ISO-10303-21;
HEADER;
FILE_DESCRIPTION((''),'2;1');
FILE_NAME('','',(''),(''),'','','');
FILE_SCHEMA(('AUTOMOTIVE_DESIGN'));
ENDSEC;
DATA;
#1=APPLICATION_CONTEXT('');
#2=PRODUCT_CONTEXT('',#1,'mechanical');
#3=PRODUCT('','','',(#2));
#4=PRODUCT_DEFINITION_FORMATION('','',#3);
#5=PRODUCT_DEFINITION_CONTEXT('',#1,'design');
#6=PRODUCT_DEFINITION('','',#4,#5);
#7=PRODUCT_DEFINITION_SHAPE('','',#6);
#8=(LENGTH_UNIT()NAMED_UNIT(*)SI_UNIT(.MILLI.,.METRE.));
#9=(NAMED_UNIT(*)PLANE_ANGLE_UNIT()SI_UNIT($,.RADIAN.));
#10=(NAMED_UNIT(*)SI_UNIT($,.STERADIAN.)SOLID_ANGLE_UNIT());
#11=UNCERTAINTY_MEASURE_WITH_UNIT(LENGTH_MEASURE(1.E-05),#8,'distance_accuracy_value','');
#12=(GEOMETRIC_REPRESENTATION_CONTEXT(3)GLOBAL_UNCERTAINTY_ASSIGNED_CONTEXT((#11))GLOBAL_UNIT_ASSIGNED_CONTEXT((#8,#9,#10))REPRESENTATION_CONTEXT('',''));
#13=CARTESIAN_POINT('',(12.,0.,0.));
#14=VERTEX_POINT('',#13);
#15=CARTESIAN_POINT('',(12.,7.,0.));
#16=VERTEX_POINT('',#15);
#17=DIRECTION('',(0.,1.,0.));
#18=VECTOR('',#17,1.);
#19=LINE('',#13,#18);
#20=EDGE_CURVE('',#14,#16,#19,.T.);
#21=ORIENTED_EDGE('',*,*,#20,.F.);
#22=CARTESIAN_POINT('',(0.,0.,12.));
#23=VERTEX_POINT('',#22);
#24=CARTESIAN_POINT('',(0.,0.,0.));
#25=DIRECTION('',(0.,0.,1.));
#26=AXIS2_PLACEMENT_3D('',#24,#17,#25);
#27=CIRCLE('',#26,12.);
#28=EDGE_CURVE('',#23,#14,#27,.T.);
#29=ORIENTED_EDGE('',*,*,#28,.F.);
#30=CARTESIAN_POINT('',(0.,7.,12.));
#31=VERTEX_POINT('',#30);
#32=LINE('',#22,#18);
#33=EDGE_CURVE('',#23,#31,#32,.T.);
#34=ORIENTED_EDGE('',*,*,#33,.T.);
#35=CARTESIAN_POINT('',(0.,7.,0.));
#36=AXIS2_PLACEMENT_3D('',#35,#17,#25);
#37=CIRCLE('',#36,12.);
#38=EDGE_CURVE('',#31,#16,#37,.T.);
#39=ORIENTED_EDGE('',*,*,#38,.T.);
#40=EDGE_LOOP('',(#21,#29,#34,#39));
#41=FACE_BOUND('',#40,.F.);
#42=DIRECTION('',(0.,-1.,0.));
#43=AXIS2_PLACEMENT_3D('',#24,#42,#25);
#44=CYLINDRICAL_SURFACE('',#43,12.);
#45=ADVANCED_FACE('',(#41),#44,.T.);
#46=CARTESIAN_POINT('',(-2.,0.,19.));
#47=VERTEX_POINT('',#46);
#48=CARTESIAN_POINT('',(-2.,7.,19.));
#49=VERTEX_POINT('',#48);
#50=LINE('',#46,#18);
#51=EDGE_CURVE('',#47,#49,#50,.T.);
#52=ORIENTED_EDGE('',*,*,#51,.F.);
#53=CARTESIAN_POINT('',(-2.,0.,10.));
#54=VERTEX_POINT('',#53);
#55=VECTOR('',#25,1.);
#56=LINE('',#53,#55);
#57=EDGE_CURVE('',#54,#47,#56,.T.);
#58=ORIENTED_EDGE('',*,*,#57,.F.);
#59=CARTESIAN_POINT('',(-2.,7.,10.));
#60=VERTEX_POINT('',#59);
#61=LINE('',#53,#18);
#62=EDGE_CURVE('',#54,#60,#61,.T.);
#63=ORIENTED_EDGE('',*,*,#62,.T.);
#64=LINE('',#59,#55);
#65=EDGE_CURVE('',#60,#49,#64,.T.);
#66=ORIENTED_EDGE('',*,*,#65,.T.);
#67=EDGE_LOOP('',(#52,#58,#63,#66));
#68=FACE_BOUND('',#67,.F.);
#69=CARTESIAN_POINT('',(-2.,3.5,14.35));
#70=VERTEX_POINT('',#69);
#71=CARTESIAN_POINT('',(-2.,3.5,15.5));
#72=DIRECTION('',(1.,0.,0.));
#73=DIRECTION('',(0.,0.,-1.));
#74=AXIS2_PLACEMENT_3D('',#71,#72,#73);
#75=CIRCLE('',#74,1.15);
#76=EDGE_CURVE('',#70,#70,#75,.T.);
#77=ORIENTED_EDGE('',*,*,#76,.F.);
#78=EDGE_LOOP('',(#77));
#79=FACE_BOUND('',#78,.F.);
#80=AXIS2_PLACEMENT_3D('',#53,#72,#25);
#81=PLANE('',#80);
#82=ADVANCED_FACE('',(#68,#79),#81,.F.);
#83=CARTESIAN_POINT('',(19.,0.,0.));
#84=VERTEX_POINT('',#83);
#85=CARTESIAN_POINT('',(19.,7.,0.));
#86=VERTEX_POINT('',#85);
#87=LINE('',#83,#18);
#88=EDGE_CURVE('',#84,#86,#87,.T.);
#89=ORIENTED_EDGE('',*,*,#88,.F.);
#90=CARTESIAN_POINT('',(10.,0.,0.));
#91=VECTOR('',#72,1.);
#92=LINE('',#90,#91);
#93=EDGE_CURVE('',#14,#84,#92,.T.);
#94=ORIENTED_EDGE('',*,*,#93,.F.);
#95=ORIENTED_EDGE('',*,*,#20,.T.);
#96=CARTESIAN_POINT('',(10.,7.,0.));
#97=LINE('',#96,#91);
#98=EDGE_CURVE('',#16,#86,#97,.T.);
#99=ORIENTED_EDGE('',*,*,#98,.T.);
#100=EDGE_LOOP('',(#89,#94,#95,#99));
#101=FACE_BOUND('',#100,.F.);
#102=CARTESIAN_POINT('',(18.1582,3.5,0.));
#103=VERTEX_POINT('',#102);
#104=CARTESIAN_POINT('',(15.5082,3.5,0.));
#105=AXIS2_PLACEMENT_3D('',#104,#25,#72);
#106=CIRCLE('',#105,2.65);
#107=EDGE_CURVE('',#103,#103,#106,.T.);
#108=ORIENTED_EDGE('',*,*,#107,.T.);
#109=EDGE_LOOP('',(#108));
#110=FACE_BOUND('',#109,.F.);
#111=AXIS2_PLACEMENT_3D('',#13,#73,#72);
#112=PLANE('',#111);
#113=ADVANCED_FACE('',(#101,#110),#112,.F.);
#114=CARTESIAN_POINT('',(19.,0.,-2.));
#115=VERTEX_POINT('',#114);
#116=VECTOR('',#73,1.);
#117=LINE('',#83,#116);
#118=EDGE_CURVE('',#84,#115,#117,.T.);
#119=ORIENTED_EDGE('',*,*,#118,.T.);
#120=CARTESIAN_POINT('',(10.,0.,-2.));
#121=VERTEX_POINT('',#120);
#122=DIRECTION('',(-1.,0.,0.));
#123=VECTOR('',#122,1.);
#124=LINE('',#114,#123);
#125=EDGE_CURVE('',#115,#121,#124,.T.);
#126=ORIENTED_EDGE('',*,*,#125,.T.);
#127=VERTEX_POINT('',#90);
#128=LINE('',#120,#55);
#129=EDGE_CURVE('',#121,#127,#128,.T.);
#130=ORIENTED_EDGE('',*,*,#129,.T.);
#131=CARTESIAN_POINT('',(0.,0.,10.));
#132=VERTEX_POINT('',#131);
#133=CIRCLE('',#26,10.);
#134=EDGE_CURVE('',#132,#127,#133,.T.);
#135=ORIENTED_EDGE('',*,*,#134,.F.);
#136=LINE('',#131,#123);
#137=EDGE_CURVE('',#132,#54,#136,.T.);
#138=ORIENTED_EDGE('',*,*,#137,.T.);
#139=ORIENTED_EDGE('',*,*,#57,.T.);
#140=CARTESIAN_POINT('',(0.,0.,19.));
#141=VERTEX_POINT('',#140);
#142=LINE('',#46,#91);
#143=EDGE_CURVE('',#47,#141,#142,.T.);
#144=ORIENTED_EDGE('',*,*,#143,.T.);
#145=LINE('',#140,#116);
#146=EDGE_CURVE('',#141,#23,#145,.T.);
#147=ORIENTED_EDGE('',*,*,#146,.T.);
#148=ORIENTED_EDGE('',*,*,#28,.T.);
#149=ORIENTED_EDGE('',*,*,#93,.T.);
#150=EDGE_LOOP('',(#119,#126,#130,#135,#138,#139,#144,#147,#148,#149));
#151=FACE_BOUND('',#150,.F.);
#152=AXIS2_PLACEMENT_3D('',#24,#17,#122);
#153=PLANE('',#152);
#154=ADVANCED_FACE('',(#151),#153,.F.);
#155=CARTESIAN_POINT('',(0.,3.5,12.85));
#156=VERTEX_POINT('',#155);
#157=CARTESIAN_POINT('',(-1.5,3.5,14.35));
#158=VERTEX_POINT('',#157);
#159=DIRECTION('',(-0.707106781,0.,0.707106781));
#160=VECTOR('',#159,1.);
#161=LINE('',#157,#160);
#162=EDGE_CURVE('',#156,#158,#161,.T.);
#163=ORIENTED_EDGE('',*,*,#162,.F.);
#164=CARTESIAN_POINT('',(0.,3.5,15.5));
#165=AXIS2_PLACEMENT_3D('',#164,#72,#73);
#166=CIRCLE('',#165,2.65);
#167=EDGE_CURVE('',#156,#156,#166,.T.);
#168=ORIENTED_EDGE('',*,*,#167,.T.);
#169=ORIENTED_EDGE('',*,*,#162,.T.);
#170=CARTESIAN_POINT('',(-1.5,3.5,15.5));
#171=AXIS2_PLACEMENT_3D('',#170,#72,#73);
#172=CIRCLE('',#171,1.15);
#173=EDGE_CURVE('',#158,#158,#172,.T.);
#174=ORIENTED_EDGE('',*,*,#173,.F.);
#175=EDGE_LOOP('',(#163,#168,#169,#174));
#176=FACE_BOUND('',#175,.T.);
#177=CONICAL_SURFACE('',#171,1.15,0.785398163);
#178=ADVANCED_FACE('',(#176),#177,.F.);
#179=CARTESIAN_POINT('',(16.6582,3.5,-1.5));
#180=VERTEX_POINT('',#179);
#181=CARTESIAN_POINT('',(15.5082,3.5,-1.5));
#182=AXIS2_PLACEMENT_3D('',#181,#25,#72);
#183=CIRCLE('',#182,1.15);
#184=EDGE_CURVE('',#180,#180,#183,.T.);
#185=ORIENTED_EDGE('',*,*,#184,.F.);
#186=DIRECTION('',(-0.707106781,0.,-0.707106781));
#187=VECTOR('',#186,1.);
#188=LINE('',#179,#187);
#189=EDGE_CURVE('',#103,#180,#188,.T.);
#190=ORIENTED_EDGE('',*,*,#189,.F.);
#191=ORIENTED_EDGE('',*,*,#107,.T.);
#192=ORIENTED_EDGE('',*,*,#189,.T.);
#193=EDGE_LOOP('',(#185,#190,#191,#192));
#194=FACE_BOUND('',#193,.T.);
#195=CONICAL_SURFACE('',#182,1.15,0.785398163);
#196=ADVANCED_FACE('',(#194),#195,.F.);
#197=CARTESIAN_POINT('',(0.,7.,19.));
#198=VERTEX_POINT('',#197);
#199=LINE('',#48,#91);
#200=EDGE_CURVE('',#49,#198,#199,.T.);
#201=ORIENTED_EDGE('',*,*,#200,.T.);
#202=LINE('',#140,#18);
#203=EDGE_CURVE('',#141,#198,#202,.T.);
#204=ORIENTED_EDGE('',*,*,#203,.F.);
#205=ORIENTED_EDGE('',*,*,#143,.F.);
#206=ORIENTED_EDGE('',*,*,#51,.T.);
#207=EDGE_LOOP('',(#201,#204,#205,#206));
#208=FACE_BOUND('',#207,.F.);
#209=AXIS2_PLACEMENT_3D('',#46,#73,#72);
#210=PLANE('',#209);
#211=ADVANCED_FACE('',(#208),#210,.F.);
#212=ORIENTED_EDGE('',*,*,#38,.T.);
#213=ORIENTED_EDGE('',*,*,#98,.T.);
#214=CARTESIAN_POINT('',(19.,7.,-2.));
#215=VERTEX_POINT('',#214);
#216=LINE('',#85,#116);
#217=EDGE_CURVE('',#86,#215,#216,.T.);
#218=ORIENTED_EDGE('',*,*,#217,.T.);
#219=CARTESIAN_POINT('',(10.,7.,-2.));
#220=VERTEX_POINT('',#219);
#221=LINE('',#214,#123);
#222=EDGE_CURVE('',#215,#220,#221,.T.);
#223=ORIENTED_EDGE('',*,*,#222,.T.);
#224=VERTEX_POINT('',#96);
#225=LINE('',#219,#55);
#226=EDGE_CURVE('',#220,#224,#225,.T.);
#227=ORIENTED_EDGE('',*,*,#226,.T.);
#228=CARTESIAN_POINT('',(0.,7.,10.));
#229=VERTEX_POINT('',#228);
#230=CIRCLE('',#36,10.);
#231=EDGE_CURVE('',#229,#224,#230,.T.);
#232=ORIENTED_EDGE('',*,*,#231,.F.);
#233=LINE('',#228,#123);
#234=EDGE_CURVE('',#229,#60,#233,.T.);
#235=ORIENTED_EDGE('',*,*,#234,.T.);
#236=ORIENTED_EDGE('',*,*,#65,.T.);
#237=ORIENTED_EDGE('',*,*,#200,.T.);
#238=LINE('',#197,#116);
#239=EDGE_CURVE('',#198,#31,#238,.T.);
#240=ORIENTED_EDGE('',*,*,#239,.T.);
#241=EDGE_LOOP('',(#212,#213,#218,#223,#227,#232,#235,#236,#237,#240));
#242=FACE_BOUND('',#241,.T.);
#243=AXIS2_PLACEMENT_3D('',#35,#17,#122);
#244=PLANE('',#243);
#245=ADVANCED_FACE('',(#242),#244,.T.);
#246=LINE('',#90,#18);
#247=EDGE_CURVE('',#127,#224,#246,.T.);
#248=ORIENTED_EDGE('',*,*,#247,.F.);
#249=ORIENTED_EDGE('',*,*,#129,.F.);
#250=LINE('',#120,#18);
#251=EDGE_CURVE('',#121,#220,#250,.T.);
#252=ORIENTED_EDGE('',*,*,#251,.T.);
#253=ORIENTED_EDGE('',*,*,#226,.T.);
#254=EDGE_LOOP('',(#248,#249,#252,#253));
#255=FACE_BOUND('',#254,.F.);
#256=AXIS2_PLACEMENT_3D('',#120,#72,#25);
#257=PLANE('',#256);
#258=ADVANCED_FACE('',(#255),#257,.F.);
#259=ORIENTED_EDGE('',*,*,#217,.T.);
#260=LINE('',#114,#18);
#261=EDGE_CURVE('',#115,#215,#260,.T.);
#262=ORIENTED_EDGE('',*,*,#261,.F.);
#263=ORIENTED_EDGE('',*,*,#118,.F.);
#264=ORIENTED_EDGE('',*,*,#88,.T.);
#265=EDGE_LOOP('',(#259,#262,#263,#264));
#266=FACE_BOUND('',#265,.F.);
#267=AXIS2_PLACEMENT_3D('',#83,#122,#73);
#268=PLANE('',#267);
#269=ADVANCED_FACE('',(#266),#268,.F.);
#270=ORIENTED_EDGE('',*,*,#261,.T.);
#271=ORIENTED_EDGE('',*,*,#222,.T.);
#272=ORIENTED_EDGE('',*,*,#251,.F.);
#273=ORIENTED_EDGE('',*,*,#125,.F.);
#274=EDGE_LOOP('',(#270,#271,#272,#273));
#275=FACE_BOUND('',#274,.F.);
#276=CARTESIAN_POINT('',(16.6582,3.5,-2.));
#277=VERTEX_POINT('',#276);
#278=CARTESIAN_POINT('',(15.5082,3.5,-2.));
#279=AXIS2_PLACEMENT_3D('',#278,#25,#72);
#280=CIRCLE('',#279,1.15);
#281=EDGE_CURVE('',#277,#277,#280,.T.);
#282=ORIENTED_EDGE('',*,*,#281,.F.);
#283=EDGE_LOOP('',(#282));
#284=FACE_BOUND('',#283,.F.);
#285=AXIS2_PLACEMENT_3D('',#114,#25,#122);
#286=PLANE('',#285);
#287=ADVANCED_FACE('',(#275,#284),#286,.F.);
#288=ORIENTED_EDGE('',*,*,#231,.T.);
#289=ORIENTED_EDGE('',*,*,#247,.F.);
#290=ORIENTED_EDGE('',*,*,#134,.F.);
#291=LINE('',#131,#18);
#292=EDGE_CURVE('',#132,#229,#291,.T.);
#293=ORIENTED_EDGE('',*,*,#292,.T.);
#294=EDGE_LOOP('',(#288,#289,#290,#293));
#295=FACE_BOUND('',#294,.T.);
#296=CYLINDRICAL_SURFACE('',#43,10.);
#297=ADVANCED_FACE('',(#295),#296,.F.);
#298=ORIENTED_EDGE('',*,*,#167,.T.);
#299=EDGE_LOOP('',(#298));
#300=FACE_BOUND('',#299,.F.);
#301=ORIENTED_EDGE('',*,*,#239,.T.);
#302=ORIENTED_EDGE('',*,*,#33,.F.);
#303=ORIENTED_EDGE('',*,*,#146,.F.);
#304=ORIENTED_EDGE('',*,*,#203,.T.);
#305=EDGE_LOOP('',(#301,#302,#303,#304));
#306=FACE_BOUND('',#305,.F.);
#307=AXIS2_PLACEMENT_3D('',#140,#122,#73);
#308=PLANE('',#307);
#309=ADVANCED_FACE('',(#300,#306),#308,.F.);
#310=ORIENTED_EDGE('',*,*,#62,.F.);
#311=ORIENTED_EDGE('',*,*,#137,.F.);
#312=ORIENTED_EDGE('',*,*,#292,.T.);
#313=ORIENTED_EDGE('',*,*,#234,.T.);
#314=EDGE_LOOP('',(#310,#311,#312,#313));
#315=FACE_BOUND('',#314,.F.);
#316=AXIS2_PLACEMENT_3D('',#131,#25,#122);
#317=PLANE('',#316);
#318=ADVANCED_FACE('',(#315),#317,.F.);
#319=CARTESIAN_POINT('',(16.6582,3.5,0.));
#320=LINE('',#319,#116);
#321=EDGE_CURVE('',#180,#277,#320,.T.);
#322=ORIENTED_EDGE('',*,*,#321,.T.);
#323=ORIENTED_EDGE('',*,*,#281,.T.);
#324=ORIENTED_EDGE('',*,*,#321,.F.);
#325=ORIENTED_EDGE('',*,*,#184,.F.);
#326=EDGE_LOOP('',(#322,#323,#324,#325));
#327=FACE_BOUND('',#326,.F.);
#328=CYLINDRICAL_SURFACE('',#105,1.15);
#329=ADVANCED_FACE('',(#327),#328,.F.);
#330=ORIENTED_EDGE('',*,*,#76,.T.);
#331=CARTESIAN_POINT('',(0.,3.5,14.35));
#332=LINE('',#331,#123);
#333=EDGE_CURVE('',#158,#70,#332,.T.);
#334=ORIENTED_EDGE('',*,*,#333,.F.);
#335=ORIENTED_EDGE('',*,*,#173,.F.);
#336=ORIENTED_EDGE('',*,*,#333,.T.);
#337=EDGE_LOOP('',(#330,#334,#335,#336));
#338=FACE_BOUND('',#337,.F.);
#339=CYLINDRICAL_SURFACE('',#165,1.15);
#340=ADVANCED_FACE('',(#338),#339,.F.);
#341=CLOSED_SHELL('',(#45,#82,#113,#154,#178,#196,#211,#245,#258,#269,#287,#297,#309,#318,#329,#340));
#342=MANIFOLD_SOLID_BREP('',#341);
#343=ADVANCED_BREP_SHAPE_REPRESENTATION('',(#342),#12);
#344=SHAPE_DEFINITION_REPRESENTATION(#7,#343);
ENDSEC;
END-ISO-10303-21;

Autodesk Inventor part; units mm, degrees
ref_plane "YZ Plane" through (0, 0, 0) normal (1, 0, 0) x (0, 1, 0)
ref_plane "XZ Plane" through (0, 0, 0) normal (0, 1, 0) x (-1, 0, 0)
ref_plane "XY Plane" through (0, 0, 0) normal (0, 0, 1) x (1, 0, 0)
sketch "Sketch3" plane through (0, 0, 0) normal (0, 1, 0) x (-1, 0, 0)
  arc A0 (0, 10) -> (-10, 0) centre (0, 0) ccw
  arc A1 (0, 12) -> (-12, 0) centre (0, 0) ccw
  line L0 (0, 10) -> (2, 10)
  line L1 (2, 10) -> (2, 19)
  line L2 (2, 19) -> (0, 19)
  line L3 (0, 19) -> (0, 10)
  line L4 (-10, 0) -> (-19, 0)
  line L5 (-19, 0) -> (-19, -2)
  line L6 (-19, -2) -> (-10, -2)
  line L7 (-10, -2) -> (-10, 0)
  line L8 (0, 12) -> (0, 10)
  line L9 (-10, 0) -> (-12, 0)
  dimension "d10" = 10
  dimension "d11" = 12
  dimension "d12" = 2
  dimension "d13" = 9
  dimension "d14" = 9
  dimension "d15" = 2
extrude "Extrusion2" add sketch "Sketch3" along normal blind 7
sketch "Sketch4" plane through (0, 0, 19) normal (1, 0, 0) x (0, 0, -1)
  line L0 (0, 0) -> (0, 7) projected
  line L1 (0, 3.5) -> (7, 3.5) construction
  line L2 (7, 0) -> (7, 7) projected
  line L3 (7, 0) -> (7, 7) construction
  line L4 (0, 7) -> (7, 7) construction
  line L5 (0, 0) -> (0, 7) construction
  line L6 (0, 0) -> (7, 0) construction
  line L7 (9, 7) -> (0, 7) construction
  line L8 (3.5, 7) -> (3.5, 3.5) construction
  circle A0 centre (3.5, 3.5) radius 1.15
  point P0 (19, 0)
  dimension "d18" = 2.3
extrude "Extrusion3" cut sketch "Sketch4" against normal blind 2
chamfer "Chamfer1" distance 1.5 angle 45 1 edges at (0, 3.5, 16.65)
sketch "Sketch6" plane through (12, 0, 0) normal (0, 0, 1) x (1, 0, 0)
  line L0 (7, 0) -> (7, 7) projected
  line L1 (7, 3.5) -> (0.0163, 3.5) construction
  line L2 (0, 7) -> (7, 7) projected
  line L3 (3.5, 7) -> (3.5082, 3.5) construction
  circle A0 centre (3.5082, 3.5) radius 1.15
  point P0 (-12, 0)
  dimension "d24" = 2.3
extrude "Extrusion4" cut sketch "Sketch6" against normal blind 2
chamfer "Chamfer2" distance 1.5 angle 45 1 edges at (14.3582, 3.5, 0)
properties part number "wiresHolder"
